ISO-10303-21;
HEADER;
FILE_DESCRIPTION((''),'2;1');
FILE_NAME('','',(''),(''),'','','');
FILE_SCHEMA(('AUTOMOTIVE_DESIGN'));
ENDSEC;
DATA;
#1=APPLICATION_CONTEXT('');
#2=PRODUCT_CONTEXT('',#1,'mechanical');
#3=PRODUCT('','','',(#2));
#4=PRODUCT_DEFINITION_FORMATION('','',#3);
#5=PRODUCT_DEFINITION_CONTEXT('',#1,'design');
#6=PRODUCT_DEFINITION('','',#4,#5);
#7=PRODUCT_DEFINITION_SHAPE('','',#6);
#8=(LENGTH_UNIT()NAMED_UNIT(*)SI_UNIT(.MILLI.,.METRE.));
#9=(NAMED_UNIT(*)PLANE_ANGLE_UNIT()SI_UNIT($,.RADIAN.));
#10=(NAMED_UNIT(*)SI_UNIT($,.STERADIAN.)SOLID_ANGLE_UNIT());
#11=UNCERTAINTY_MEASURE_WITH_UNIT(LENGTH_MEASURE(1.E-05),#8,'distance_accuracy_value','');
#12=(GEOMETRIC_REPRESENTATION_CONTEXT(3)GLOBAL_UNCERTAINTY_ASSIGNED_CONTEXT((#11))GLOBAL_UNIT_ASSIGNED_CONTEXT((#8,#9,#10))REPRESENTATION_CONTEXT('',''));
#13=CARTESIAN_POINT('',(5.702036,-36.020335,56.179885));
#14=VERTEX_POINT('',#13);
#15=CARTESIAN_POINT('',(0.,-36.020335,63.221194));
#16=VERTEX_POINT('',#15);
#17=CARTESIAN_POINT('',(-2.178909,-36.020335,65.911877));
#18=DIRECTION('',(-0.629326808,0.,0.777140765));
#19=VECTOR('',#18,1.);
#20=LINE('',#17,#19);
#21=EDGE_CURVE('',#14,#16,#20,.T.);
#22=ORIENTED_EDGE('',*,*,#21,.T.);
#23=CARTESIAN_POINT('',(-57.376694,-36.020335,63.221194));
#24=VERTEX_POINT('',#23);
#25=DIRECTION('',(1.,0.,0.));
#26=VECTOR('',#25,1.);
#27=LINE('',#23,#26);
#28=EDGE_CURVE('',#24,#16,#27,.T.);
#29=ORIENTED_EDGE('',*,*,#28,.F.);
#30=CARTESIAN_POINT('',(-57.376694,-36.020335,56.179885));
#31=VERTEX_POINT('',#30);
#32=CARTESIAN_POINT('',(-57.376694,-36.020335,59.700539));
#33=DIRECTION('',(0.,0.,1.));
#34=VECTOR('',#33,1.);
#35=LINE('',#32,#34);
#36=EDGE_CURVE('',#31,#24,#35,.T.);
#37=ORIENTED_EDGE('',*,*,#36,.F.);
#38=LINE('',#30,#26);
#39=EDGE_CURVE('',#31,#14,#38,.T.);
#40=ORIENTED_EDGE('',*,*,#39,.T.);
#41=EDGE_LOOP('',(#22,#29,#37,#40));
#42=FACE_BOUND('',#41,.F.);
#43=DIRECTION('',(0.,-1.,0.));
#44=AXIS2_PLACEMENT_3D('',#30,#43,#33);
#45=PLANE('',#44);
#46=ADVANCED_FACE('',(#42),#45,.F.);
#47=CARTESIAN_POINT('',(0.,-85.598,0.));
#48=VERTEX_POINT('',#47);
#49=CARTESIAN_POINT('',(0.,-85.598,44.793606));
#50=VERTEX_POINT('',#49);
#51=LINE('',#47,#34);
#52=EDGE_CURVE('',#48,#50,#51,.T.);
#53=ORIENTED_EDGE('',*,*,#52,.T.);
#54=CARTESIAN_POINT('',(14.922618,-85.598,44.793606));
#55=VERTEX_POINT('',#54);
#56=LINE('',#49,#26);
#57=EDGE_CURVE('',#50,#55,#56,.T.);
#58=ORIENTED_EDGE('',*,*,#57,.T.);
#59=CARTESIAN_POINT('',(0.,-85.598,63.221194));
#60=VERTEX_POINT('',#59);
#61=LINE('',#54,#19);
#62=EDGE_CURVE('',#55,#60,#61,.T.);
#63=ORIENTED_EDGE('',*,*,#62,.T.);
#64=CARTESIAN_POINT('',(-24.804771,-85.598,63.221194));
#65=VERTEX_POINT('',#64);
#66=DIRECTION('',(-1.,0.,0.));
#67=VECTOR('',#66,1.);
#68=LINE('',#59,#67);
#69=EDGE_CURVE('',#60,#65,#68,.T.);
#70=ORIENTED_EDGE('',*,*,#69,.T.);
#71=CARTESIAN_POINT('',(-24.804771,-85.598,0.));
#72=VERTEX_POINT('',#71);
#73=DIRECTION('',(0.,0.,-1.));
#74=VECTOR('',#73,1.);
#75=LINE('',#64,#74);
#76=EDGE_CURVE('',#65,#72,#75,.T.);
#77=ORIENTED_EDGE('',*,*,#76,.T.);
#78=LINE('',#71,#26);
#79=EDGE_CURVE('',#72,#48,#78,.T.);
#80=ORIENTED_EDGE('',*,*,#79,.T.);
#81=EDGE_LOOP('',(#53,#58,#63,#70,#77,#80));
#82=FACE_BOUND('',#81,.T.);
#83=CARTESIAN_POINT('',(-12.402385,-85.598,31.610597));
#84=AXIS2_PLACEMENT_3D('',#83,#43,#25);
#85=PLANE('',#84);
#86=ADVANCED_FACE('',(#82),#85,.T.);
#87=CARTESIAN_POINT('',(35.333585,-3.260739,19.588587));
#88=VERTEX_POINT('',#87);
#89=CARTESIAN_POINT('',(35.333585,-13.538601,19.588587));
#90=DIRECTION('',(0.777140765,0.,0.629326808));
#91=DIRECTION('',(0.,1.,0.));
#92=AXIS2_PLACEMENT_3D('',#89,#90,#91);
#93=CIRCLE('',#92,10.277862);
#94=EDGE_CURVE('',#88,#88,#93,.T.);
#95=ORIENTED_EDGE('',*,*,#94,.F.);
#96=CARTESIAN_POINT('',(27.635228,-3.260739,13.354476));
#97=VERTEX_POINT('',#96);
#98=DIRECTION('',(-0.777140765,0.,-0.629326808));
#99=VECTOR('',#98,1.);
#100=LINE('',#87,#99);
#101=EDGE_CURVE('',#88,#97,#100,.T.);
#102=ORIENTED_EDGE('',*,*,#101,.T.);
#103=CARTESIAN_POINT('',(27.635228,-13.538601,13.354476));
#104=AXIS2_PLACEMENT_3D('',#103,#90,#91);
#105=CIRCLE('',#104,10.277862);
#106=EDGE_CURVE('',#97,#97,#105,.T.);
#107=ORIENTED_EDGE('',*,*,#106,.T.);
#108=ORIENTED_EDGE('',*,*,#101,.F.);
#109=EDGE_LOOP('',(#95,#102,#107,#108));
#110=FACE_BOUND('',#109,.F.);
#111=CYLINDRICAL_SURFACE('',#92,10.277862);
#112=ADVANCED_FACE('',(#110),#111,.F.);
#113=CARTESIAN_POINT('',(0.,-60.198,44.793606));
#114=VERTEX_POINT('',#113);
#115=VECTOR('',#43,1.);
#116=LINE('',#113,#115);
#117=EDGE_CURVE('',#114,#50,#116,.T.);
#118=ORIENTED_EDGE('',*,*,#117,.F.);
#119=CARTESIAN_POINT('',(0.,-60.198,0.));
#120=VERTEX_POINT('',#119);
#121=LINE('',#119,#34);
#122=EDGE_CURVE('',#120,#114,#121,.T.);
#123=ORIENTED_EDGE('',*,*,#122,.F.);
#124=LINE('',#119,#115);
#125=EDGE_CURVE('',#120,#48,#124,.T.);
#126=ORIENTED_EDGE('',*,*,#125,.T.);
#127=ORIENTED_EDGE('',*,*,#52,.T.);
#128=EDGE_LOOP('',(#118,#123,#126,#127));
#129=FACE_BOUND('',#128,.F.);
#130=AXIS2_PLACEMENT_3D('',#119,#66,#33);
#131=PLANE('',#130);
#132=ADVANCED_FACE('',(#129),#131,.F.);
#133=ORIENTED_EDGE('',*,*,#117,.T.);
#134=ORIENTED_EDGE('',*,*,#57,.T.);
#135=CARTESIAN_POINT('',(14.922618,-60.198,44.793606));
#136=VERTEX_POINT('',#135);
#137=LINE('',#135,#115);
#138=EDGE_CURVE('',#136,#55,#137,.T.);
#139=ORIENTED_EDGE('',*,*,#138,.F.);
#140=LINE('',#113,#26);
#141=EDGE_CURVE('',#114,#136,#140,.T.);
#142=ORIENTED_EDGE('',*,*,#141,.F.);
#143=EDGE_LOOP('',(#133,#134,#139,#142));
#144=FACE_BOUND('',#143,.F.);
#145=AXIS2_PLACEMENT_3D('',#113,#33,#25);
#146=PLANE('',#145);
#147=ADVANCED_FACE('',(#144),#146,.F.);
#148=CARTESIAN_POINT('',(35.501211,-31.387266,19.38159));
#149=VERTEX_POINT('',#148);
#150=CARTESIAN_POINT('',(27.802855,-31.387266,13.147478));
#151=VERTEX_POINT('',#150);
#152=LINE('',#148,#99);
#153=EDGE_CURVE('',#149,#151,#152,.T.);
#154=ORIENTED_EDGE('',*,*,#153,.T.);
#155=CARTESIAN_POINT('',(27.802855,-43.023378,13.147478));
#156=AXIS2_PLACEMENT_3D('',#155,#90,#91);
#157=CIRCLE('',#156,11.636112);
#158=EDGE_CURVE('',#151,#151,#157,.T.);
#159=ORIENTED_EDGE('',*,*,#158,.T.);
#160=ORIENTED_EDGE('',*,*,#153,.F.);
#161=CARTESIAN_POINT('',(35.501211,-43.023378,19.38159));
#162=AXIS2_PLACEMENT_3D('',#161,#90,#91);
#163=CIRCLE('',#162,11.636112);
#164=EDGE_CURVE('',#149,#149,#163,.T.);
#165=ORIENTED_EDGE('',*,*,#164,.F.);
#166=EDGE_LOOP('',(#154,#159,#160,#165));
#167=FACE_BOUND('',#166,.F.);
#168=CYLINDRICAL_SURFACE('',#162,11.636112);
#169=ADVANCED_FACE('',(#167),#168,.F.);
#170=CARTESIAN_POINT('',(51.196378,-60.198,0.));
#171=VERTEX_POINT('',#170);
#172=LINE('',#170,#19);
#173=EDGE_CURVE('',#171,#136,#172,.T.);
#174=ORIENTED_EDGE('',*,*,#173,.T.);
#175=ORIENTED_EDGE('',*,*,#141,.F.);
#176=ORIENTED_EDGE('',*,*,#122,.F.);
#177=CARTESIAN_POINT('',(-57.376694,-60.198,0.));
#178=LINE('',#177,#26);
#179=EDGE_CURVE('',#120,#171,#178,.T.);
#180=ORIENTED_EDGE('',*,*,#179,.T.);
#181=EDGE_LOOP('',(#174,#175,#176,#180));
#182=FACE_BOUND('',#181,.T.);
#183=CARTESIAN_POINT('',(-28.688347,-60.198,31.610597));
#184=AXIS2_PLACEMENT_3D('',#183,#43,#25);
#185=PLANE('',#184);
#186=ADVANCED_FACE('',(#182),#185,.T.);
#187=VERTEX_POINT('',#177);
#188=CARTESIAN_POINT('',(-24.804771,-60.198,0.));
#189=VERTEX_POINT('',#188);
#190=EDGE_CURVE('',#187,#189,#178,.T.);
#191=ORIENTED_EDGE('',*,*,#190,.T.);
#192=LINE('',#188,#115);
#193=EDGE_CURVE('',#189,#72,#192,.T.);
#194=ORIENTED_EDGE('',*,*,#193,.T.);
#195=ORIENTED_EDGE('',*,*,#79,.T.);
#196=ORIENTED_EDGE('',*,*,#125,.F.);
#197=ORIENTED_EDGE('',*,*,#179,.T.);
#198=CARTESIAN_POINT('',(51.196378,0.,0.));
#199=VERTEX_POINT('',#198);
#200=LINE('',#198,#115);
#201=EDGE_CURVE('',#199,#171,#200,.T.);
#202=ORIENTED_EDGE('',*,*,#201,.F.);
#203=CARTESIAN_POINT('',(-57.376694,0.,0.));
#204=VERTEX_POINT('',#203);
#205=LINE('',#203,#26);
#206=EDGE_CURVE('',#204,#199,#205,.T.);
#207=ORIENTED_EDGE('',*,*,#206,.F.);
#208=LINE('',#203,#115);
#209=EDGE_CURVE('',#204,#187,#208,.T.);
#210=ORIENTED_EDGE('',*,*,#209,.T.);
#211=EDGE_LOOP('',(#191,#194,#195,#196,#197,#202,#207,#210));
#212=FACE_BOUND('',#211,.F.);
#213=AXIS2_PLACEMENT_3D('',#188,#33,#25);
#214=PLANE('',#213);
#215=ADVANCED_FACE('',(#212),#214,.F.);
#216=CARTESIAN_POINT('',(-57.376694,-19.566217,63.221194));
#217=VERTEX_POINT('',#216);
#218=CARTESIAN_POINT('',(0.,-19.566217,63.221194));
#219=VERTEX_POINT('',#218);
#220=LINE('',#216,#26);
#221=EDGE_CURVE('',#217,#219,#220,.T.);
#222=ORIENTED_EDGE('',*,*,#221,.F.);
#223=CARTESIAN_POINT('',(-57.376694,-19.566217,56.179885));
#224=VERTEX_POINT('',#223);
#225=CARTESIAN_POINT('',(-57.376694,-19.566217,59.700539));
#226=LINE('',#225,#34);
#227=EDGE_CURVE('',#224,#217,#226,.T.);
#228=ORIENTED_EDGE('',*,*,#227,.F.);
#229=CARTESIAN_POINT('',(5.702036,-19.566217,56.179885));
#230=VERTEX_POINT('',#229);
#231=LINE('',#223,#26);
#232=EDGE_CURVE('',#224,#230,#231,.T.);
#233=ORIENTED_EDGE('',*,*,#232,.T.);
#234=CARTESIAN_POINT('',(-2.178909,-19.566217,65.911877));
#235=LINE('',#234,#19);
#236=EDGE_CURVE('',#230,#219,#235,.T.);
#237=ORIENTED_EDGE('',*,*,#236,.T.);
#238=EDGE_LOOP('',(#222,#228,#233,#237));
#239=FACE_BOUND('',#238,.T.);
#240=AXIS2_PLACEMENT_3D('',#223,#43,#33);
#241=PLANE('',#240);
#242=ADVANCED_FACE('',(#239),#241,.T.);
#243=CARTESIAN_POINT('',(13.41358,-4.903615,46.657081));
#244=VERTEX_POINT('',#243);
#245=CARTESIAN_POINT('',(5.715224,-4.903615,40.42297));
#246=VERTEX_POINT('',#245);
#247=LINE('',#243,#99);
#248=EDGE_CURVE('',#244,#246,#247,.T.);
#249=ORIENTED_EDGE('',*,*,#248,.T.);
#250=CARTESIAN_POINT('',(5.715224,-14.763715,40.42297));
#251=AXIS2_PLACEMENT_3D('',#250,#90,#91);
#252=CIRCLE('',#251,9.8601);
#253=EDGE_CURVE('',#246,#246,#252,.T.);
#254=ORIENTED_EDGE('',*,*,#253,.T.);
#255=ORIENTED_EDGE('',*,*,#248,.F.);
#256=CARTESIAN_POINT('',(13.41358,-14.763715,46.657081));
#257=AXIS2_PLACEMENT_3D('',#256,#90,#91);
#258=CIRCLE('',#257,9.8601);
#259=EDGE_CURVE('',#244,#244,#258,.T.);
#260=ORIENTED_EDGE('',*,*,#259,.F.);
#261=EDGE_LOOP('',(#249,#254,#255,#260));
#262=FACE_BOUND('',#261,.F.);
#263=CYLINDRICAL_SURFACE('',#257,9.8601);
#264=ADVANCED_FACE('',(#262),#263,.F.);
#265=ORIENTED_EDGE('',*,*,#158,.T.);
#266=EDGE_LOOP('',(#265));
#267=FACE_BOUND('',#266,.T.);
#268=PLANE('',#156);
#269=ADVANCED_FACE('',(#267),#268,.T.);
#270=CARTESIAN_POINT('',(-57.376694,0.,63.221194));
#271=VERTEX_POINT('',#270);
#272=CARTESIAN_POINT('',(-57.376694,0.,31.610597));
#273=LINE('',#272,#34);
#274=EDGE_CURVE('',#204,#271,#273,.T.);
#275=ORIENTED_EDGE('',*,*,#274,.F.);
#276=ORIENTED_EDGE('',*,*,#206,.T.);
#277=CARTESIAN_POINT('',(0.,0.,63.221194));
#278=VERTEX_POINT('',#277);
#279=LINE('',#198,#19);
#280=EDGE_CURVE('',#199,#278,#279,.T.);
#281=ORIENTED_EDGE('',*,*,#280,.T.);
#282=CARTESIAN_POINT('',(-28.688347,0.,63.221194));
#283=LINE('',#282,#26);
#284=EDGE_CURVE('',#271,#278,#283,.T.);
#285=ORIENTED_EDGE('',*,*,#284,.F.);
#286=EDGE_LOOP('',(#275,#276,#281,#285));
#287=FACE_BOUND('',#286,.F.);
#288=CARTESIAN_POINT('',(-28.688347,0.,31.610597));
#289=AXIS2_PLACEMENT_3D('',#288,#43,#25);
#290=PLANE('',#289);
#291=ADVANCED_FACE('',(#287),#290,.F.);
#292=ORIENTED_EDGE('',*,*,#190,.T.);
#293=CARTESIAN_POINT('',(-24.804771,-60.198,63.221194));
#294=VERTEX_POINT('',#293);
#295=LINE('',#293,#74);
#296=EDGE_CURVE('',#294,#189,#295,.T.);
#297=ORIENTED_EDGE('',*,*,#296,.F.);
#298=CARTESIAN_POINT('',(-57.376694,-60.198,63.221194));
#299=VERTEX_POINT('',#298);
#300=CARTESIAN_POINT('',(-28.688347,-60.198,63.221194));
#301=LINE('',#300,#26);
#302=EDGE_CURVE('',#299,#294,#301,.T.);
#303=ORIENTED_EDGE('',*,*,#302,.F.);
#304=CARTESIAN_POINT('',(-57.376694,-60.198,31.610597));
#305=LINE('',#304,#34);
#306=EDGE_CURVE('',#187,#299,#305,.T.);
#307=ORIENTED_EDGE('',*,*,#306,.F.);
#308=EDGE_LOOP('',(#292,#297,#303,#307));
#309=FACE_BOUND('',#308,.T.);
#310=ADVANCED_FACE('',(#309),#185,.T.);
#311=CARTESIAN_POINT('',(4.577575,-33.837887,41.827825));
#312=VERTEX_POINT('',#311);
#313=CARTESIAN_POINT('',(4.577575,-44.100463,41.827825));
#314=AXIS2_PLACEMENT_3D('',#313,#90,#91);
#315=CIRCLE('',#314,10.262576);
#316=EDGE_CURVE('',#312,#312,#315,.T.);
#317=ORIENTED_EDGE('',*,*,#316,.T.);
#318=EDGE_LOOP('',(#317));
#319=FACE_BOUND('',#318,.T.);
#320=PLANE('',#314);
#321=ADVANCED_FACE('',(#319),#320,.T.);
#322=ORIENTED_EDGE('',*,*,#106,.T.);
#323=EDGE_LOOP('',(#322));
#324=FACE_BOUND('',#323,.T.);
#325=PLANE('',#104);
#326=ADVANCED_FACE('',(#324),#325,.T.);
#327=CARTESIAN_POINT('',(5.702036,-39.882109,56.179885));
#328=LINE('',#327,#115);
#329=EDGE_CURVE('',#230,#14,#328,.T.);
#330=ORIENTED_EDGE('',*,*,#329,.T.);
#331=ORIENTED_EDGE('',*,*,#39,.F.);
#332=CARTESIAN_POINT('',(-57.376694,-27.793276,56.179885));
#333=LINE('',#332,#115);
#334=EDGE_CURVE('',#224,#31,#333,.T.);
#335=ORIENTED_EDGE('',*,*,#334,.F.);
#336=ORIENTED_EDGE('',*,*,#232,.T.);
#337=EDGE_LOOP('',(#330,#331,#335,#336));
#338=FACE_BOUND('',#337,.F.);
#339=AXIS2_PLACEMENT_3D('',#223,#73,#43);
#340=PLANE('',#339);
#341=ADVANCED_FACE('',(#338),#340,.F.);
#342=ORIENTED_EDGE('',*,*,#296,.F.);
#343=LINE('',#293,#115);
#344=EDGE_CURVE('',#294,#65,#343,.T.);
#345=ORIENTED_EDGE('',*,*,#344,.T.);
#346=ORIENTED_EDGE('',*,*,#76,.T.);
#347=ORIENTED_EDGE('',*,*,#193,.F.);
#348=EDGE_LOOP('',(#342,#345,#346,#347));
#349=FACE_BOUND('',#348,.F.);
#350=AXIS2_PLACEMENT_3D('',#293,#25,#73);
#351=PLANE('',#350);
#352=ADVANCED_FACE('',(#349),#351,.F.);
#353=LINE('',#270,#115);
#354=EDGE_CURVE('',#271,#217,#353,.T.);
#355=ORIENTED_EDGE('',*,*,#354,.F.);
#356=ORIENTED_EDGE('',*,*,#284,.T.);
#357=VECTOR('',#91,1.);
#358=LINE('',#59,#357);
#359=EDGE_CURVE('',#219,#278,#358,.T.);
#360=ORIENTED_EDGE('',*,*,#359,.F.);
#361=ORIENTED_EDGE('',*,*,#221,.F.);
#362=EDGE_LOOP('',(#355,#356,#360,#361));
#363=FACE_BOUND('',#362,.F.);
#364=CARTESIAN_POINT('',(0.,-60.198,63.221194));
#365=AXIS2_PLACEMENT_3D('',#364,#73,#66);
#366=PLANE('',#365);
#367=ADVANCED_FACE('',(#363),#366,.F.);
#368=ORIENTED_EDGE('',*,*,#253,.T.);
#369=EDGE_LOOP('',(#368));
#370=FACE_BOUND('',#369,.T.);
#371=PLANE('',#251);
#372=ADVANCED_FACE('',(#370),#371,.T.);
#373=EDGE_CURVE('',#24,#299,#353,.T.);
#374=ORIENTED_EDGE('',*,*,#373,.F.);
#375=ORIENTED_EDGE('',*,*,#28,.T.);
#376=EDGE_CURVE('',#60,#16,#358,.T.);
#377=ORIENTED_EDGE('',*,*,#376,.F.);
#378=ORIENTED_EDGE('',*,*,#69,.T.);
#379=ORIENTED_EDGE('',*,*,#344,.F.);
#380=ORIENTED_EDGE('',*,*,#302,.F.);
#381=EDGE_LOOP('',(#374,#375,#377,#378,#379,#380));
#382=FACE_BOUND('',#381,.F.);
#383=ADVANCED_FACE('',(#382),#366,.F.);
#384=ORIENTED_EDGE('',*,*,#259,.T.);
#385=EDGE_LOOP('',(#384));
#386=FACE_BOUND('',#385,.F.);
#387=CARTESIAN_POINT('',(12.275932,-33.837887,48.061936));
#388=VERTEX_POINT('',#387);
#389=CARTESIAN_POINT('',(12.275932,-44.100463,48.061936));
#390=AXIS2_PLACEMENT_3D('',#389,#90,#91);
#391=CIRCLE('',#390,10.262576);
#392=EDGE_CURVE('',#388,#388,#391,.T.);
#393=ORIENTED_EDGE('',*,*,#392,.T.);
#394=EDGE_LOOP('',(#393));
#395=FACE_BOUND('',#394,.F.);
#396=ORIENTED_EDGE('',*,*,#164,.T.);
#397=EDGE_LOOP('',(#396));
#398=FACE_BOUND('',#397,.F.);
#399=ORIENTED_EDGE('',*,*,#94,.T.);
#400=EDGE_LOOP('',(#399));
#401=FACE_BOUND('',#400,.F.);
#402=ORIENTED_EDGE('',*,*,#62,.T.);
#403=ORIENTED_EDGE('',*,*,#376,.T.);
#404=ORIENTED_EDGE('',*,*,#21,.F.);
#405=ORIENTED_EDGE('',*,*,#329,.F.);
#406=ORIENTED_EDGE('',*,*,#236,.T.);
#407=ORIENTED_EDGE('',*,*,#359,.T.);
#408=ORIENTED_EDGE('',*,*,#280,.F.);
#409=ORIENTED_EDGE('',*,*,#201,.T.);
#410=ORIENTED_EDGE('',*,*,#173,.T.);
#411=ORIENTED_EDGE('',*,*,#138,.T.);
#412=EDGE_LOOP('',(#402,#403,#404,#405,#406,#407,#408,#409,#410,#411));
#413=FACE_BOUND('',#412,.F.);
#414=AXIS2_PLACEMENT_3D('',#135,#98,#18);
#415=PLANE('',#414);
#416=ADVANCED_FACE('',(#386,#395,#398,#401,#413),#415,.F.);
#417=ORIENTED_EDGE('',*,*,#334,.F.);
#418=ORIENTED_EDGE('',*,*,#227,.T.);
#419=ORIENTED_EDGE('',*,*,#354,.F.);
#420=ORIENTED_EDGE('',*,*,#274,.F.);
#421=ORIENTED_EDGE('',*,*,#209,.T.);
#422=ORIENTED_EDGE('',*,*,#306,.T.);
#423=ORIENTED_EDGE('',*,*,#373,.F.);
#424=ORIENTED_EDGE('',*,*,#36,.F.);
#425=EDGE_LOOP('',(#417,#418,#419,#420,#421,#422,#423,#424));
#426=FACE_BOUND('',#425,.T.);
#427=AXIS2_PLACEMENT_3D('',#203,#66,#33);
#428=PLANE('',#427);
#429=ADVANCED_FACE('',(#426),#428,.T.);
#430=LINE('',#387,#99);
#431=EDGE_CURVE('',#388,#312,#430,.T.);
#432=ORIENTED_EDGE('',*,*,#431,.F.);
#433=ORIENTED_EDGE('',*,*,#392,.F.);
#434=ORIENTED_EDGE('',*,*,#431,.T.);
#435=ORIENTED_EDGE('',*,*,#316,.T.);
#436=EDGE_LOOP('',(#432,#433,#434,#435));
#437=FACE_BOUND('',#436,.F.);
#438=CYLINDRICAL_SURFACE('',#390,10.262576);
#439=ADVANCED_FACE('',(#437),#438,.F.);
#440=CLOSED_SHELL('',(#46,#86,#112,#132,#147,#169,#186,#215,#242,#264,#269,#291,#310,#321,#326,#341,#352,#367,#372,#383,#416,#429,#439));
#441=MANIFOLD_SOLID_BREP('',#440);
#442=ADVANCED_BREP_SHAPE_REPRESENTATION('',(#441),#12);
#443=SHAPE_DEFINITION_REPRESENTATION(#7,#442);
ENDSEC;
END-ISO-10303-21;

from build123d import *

# Parameters (mm, degrees)
F0_W     = 57.3766939342
F0_H     = 63.22119385
F1_DEPTH = 60.198
F2_R     = 10.2625762698
F2_R_2   = 9.860099692
F2_R_3   = 10.2778616748
F2_R_4   = 11.6361119367
F3_DEPTH = 9.906
F5_DEPTH = 25.4
F6_W     = 16.4541173726
F6_H     = 7.0413090289
F7_DEPTH = 208.28


with BuildPart() as f1:
    # F0 (on Front) → F1 (new body)
    with BuildSketch(Plane.XZ):
        with Locations((-28.6883469671, 31.610596925)):
            Rectangle(F0_W, F0_H)
        Polygon((0, 63.22119385), (0, 0), (51.1963777244, 0), align=None)
    extrude(amount=F1_DEPTH)

    # F2 (on face) → F3 (cut)
    with BuildSketch(Plane(origin=(30.9199380754, 0, 25.0388949105), x_dir=(0, 1, 0), z_dir=(0.7771407648, 0, 0.6293268083))):
        with Locations((-44.1004633904, 29.6253170818)):
            Circle(F2_R)
        with Locations((-14.7637147456, 27.8175938874)):
            Circle(F2_R_2)
        with Locations((-13.5386008769, -7.013282273)):
            Circle(F2_R_3)
        with Locations((-43.0233776569, -7.2796405293)):
            Circle(F2_R_4)
    extrude(amount=-F3_DEPTH, mode=Mode.SUBTRACT)

    # F4 (on face) → F5 (join)
    with BuildSketch(Plane.XZ.offset(60.198)):
        Polygon((0, 63.22119385), (-24.8047709465, 63.22119385), (-24.8047709465, 0), (0, 0), (0, 44.7936064249), align=None)
        Polygon((14.9226180164, 44.7936064249), (0, 63.22119385), (0, 44.7936064249), align=None)
    extrude(amount=F5_DEPTH)

    # F6 (on face) → F7 (cut)
    with BuildSketch(Plane(origin=(-57.3766939342, 0, 0), x_dir=(0, -1, 0), z_dir=(-1, 0, 0))):
        with Locations((27.7932761237, 59.7005393356)):
            Rectangle(F6_W, F6_H)
    extrude(amount=-F7_DEPTH, mode=Mode.SUBTRACT)


solid = f1.part
